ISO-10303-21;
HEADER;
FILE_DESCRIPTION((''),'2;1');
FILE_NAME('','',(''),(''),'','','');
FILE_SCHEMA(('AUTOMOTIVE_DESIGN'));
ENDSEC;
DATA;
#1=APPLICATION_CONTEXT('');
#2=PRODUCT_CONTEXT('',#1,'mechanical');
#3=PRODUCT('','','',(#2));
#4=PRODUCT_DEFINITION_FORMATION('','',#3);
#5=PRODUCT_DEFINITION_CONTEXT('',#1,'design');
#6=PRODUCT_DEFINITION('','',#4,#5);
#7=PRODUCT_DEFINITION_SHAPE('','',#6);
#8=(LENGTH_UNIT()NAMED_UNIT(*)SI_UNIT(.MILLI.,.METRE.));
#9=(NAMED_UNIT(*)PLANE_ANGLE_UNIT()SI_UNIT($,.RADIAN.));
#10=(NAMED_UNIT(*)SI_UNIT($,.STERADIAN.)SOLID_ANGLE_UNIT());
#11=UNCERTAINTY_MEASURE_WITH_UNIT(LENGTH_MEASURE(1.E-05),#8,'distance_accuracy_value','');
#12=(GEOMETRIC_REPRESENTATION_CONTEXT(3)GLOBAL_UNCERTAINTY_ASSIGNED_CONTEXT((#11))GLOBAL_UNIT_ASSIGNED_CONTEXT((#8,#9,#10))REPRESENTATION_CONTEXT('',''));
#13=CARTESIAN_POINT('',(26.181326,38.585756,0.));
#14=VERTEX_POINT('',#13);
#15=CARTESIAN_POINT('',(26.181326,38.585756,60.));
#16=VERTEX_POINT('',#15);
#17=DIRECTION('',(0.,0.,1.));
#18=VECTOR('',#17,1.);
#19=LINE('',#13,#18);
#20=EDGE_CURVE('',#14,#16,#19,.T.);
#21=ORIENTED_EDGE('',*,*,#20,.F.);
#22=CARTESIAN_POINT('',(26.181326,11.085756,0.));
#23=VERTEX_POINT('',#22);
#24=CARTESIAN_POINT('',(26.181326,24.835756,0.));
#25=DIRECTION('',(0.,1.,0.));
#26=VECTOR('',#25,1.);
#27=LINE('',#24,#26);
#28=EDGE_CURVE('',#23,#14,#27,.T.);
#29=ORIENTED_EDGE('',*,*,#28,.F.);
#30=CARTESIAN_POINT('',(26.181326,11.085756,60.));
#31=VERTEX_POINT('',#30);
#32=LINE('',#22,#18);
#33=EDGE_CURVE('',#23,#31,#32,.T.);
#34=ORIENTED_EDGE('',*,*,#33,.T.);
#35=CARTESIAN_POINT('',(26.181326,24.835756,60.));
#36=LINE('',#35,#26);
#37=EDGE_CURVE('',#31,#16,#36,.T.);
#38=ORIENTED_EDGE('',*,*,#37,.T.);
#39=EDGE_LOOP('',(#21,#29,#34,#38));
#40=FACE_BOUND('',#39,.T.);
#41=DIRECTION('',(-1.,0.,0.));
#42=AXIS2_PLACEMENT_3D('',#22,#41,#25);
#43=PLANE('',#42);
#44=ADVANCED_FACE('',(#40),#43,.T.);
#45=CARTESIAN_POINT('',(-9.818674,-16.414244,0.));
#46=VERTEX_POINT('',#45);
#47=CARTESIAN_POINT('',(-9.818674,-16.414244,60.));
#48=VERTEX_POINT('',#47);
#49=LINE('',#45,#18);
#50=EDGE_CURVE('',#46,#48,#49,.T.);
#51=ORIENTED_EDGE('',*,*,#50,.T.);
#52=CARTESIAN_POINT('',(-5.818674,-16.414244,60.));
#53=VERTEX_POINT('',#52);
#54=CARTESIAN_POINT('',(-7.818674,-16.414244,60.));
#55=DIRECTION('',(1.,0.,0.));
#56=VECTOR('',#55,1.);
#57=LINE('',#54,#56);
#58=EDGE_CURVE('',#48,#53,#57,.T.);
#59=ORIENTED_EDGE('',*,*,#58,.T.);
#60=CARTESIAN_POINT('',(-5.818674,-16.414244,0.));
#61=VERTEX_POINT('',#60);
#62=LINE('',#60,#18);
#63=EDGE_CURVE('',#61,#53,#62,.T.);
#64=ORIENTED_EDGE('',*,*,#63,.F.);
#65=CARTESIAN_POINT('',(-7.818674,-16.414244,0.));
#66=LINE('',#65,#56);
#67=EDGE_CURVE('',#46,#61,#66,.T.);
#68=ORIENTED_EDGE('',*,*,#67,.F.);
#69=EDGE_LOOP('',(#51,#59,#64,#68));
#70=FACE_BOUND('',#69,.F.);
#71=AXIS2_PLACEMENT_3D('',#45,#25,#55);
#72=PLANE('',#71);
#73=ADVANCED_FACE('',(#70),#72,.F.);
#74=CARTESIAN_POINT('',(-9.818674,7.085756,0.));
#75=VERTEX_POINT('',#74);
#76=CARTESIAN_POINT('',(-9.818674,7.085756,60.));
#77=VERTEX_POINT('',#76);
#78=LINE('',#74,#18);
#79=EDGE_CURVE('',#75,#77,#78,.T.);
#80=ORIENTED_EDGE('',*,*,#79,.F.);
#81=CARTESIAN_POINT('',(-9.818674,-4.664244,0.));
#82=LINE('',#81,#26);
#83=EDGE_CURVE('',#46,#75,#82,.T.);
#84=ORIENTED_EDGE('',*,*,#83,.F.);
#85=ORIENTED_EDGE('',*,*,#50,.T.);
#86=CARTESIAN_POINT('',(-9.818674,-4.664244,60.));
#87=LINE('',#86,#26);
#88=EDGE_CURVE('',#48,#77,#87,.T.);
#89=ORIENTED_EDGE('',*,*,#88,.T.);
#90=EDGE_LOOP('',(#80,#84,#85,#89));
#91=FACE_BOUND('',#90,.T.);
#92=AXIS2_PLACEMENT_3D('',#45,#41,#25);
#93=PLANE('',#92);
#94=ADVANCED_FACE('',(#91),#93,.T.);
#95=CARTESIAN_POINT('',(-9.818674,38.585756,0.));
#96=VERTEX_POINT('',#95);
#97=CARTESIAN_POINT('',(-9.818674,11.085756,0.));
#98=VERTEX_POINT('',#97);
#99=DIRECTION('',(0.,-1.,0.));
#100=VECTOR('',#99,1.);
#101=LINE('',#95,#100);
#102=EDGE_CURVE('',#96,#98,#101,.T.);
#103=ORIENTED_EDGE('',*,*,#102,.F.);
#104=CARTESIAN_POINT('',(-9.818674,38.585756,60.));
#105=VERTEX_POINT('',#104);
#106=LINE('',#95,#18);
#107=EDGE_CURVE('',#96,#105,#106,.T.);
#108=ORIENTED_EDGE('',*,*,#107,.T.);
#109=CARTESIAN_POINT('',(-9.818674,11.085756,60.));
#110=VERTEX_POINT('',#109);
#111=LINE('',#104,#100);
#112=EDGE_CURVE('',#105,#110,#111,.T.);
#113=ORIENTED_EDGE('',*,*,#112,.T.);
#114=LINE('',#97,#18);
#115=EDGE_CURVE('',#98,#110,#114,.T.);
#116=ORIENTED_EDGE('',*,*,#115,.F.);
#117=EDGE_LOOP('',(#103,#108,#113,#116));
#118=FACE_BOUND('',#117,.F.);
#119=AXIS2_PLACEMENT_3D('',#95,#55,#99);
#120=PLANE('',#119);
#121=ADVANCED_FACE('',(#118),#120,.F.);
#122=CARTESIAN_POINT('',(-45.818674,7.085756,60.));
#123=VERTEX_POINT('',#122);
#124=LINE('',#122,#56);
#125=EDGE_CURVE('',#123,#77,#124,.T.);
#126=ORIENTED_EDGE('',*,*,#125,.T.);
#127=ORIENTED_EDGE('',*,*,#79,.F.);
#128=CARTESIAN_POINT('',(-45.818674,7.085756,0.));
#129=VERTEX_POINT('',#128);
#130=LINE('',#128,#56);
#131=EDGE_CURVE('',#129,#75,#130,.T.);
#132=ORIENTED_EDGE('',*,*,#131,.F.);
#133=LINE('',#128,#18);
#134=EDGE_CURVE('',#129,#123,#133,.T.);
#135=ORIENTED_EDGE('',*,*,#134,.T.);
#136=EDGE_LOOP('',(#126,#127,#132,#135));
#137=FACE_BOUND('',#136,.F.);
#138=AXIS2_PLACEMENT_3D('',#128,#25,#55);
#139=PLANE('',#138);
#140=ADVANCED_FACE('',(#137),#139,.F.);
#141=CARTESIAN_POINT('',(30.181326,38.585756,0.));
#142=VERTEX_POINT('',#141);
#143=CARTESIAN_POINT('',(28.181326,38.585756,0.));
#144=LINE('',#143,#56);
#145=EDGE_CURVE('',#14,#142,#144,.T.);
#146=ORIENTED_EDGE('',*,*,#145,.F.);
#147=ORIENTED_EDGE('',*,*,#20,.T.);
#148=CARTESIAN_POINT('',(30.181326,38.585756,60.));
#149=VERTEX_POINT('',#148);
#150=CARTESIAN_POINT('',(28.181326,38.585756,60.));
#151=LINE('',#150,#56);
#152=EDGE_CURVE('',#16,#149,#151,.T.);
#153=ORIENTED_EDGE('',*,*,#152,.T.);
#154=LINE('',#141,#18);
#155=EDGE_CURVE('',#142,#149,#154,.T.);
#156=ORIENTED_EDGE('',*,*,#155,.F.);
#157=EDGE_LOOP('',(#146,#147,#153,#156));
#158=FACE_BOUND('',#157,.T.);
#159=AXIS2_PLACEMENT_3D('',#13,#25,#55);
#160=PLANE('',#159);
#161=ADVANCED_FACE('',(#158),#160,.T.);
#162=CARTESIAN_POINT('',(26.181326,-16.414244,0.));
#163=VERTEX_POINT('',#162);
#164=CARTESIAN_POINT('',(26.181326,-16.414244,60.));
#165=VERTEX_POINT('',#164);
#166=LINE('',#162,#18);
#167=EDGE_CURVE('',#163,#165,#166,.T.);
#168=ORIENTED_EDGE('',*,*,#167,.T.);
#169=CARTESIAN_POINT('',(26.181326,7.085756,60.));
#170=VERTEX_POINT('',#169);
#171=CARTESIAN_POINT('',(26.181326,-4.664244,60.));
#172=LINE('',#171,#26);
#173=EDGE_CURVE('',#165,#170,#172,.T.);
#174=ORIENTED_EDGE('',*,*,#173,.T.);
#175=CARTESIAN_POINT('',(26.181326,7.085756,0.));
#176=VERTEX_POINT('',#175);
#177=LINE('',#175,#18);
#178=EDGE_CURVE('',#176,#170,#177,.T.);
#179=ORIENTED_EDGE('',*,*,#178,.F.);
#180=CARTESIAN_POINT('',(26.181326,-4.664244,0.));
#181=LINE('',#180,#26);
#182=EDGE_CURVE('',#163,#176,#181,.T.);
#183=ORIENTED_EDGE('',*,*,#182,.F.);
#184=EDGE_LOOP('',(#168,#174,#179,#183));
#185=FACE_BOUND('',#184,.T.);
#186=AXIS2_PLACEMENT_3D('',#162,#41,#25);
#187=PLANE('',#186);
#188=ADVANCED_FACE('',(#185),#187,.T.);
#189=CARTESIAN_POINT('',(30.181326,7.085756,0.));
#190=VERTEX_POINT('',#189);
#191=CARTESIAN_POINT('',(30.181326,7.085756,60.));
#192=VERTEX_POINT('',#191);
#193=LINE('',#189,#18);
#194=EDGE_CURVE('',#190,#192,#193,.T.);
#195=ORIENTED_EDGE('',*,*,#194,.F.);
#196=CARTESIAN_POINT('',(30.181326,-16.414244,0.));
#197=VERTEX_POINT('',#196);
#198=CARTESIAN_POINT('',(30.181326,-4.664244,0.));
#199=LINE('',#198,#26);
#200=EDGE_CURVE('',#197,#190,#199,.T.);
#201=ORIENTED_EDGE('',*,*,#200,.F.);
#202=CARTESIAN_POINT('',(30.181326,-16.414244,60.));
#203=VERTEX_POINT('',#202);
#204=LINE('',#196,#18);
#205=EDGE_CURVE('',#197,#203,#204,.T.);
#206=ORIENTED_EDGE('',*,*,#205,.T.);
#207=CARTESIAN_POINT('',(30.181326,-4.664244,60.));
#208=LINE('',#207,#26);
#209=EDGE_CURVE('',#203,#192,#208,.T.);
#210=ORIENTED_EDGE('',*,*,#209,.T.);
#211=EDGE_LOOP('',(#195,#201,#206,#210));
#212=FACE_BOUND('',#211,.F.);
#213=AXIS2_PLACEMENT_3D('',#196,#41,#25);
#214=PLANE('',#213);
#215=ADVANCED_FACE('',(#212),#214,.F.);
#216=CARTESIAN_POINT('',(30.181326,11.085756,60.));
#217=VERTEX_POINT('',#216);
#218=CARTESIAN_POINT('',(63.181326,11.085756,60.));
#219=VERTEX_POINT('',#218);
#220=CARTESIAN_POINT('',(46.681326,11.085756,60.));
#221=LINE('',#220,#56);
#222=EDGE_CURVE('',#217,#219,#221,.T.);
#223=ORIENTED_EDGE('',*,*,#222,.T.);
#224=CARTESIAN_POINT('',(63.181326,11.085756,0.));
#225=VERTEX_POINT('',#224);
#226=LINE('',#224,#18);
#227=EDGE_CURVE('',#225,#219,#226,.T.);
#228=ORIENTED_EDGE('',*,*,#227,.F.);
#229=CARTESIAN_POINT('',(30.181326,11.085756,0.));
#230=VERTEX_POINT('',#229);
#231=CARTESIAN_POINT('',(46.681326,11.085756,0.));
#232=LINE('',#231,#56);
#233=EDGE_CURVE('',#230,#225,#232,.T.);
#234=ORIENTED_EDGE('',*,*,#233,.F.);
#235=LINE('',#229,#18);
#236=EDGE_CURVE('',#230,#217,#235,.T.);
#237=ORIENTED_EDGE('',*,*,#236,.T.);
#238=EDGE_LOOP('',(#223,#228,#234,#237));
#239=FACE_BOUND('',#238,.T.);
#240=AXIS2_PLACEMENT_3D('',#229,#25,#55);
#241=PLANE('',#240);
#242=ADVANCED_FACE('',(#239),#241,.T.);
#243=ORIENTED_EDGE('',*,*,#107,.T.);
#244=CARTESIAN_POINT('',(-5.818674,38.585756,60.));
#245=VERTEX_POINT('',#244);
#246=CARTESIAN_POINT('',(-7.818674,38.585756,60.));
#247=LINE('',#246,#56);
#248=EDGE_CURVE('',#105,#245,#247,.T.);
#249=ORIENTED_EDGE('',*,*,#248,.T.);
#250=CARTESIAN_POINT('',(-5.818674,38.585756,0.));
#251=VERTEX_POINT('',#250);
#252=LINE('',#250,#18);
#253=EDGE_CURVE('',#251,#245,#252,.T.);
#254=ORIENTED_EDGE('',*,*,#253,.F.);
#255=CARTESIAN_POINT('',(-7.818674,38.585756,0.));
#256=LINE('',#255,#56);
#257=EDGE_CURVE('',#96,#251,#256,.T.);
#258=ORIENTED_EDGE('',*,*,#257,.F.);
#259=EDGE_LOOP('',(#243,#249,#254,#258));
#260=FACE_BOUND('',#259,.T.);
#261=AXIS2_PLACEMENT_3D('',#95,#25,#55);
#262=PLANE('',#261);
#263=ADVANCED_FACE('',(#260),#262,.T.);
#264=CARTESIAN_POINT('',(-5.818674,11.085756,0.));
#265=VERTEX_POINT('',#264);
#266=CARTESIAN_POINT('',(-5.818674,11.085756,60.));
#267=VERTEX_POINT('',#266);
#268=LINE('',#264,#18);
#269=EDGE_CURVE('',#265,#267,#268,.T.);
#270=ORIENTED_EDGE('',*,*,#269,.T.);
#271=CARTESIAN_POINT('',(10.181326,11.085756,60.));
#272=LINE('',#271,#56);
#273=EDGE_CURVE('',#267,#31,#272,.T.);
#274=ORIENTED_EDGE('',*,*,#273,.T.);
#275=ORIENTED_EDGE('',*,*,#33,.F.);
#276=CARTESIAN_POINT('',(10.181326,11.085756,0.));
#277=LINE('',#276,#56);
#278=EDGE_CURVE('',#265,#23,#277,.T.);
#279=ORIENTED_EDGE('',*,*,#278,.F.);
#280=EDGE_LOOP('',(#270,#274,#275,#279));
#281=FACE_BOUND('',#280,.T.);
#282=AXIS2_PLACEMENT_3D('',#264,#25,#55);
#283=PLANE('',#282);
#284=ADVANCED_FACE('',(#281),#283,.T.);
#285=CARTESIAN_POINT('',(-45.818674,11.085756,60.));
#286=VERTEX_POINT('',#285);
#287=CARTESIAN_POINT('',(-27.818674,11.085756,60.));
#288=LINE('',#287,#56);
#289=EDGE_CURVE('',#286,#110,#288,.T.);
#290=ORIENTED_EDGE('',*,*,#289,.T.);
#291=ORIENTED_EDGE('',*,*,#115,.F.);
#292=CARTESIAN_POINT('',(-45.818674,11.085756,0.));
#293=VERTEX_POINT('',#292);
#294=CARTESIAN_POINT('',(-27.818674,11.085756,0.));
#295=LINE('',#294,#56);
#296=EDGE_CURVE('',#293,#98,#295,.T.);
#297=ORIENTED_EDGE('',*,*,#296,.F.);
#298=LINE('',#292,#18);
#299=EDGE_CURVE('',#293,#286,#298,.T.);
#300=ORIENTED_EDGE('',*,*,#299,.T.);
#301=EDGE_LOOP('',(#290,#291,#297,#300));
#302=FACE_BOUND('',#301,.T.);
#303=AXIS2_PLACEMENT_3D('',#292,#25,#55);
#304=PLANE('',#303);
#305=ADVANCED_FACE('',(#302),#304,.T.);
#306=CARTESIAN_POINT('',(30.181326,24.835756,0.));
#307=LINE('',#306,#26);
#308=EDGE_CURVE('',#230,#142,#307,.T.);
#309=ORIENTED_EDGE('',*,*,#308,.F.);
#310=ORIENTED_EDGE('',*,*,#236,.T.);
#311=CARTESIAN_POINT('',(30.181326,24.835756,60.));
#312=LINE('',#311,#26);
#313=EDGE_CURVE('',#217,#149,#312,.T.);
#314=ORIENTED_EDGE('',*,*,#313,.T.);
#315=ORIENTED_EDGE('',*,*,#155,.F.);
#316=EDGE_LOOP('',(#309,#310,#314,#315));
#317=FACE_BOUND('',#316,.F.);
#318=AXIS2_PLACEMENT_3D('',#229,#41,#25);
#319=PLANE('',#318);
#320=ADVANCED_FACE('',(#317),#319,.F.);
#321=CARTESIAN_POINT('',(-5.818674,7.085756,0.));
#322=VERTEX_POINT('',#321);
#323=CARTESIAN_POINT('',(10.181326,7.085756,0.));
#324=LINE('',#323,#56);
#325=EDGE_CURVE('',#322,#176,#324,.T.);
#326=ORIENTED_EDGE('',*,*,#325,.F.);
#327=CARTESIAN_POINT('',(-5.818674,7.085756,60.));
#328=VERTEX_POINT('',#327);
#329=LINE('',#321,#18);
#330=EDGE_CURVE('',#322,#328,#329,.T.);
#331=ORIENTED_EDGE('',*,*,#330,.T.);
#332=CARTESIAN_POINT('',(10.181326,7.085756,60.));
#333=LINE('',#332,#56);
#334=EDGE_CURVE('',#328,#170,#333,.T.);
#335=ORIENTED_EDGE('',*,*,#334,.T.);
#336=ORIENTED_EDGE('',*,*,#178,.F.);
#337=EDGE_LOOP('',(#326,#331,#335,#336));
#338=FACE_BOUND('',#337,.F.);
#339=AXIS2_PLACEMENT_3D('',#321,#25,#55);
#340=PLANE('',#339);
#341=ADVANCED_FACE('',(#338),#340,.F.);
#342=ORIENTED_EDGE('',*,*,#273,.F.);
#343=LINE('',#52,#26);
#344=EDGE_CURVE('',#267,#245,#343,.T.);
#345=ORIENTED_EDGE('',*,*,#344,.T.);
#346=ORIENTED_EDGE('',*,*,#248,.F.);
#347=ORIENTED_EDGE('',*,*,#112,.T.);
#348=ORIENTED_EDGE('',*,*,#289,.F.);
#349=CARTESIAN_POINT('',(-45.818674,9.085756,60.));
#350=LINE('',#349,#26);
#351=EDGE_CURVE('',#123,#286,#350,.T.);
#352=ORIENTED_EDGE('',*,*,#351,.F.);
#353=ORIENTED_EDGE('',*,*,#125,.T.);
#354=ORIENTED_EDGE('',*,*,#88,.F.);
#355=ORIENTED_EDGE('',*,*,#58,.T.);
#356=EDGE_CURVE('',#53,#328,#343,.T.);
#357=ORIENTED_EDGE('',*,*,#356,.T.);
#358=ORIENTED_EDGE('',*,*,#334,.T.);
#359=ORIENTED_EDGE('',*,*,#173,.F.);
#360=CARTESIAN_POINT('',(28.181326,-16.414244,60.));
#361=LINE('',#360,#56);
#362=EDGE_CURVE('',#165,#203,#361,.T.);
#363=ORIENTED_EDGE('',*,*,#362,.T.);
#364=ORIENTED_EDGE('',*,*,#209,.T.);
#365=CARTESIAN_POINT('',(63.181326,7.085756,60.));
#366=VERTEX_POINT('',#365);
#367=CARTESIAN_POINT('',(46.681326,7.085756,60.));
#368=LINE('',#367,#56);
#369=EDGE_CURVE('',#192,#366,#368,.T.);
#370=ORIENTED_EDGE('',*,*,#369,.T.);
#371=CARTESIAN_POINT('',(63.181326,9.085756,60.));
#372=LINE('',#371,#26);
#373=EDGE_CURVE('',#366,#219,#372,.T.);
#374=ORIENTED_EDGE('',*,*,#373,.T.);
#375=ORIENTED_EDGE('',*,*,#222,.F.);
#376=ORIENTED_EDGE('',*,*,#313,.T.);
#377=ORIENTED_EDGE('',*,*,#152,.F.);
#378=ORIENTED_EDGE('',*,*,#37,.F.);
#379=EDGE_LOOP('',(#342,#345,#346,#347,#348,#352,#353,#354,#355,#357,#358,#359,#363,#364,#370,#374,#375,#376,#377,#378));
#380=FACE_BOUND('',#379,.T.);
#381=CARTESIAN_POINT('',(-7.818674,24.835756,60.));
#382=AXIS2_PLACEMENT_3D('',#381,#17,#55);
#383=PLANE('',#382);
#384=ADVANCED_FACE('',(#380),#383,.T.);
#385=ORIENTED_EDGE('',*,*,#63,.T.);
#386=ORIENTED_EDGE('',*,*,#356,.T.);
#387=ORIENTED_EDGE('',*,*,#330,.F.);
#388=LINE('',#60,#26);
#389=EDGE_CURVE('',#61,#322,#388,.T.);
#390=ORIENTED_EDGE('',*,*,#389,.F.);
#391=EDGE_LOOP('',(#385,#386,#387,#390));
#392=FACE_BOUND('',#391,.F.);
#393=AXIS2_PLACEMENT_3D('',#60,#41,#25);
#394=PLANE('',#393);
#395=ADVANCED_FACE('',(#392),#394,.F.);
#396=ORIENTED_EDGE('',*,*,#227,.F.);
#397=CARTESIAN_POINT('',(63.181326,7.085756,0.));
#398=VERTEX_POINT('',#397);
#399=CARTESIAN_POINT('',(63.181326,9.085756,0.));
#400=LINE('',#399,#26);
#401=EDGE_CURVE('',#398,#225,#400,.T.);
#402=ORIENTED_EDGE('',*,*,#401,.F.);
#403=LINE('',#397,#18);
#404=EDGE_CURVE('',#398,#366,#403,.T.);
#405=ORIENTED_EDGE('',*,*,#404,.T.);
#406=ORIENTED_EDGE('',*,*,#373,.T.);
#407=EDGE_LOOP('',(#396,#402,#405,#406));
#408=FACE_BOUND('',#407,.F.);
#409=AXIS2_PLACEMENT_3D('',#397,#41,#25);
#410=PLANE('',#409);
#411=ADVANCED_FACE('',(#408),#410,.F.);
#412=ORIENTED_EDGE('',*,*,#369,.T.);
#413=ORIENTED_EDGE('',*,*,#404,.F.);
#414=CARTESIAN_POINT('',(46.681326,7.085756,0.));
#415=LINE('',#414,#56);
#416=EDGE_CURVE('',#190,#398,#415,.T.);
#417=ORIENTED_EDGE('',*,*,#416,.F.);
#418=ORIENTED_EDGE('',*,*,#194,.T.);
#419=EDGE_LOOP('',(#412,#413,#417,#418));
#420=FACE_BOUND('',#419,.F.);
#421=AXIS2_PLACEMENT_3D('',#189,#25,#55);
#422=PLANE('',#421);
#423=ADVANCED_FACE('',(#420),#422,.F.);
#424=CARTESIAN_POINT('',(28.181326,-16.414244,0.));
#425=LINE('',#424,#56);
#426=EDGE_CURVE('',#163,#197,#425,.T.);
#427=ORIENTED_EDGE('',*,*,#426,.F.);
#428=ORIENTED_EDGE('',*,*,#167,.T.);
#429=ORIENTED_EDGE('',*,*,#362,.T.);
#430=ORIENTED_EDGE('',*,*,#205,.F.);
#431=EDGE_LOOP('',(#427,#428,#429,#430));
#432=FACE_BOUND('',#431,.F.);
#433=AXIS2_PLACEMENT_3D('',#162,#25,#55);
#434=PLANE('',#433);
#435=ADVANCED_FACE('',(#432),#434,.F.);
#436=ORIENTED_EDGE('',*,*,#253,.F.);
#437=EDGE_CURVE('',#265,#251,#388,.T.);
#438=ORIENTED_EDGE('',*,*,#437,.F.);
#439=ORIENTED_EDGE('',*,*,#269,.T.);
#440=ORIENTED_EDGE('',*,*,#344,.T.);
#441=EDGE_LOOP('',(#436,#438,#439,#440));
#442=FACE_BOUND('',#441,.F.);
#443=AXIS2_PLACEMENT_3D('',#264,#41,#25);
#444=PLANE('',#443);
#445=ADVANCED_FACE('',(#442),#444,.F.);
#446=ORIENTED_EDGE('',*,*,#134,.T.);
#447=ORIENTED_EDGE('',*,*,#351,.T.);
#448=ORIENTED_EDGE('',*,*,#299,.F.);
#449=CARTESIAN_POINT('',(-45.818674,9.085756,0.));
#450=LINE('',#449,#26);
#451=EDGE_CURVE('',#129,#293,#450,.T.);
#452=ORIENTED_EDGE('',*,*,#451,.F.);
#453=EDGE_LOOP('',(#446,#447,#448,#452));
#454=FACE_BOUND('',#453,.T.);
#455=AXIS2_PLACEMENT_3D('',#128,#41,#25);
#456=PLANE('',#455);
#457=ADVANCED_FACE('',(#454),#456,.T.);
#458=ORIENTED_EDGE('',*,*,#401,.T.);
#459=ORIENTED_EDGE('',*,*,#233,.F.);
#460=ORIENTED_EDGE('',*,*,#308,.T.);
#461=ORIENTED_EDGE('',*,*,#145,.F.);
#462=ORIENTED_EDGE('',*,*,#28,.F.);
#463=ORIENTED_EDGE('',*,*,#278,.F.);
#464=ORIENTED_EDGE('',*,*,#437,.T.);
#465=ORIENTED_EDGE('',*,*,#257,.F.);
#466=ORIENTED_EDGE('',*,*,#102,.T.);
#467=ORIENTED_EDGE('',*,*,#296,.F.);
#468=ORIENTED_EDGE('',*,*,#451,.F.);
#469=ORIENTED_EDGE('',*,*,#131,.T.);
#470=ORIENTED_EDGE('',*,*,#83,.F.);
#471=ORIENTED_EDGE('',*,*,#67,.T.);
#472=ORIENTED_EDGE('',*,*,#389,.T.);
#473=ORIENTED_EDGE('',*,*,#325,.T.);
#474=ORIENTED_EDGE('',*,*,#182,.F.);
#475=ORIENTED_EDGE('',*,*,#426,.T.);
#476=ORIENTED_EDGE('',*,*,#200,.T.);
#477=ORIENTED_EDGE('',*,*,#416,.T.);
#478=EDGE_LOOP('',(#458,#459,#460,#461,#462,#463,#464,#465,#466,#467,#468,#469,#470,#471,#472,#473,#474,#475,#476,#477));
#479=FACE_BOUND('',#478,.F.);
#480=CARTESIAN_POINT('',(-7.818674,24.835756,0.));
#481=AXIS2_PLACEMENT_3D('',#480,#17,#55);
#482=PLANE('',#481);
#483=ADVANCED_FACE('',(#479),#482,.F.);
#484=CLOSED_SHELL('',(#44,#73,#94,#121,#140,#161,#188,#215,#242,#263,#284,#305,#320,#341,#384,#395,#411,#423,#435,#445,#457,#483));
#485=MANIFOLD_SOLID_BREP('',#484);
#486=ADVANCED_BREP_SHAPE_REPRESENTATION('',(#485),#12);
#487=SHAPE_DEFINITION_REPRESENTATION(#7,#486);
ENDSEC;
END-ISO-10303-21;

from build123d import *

# Parameters (mm, degrees)
F0_W     = 4
F0_H     = 27.5
F0_H_2   = 4
F0_W_2   = 36
F0_H_3   = 23.5
F0_W_3   = 32
F0_W_4   = 33
F1_DEPTH = 60


with BuildPart() as f1:
    # F0 (on Top) → F1 (new body)
    with BuildSketch(Plane.XY):
        with Locations((-7.8186742067, 24.8357563987)):
            Rectangle(F0_W, F0_H)
        with Locations((-7.8186742067, 9.0857563987)):
            Rectangle(F0_W, F0_H_2)
        with Locations((-27.8186742067, 9.0857563987)):
            Rectangle(F0_W_2, F0_H_2)
        with Locations((-7.8186742067, -4.6642436013)):
            Rectangle(F0_W, F0_H_3)
        with Locations((10.1813257933, 9.0857563987)):
            Rectangle(F0_W_3, F0_H_2)
        with Locations((28.1813257933, 24.8357563987)):
            Rectangle(F0_W, F0_H)
        with Locations((46.6813257933, 9.0857563987)):
            Rectangle(F0_W_4, F0_H_2)
        with Locations((28.1813257933, -4.6642436013)):
            Rectangle(F0_W, F0_H_3)
        with Locations((28.1813257933, 9.0857563987)):
            Rectangle(F0_W, F0_H_2)
    extrude(amount=F1_DEPTH)


solid = f1.part
